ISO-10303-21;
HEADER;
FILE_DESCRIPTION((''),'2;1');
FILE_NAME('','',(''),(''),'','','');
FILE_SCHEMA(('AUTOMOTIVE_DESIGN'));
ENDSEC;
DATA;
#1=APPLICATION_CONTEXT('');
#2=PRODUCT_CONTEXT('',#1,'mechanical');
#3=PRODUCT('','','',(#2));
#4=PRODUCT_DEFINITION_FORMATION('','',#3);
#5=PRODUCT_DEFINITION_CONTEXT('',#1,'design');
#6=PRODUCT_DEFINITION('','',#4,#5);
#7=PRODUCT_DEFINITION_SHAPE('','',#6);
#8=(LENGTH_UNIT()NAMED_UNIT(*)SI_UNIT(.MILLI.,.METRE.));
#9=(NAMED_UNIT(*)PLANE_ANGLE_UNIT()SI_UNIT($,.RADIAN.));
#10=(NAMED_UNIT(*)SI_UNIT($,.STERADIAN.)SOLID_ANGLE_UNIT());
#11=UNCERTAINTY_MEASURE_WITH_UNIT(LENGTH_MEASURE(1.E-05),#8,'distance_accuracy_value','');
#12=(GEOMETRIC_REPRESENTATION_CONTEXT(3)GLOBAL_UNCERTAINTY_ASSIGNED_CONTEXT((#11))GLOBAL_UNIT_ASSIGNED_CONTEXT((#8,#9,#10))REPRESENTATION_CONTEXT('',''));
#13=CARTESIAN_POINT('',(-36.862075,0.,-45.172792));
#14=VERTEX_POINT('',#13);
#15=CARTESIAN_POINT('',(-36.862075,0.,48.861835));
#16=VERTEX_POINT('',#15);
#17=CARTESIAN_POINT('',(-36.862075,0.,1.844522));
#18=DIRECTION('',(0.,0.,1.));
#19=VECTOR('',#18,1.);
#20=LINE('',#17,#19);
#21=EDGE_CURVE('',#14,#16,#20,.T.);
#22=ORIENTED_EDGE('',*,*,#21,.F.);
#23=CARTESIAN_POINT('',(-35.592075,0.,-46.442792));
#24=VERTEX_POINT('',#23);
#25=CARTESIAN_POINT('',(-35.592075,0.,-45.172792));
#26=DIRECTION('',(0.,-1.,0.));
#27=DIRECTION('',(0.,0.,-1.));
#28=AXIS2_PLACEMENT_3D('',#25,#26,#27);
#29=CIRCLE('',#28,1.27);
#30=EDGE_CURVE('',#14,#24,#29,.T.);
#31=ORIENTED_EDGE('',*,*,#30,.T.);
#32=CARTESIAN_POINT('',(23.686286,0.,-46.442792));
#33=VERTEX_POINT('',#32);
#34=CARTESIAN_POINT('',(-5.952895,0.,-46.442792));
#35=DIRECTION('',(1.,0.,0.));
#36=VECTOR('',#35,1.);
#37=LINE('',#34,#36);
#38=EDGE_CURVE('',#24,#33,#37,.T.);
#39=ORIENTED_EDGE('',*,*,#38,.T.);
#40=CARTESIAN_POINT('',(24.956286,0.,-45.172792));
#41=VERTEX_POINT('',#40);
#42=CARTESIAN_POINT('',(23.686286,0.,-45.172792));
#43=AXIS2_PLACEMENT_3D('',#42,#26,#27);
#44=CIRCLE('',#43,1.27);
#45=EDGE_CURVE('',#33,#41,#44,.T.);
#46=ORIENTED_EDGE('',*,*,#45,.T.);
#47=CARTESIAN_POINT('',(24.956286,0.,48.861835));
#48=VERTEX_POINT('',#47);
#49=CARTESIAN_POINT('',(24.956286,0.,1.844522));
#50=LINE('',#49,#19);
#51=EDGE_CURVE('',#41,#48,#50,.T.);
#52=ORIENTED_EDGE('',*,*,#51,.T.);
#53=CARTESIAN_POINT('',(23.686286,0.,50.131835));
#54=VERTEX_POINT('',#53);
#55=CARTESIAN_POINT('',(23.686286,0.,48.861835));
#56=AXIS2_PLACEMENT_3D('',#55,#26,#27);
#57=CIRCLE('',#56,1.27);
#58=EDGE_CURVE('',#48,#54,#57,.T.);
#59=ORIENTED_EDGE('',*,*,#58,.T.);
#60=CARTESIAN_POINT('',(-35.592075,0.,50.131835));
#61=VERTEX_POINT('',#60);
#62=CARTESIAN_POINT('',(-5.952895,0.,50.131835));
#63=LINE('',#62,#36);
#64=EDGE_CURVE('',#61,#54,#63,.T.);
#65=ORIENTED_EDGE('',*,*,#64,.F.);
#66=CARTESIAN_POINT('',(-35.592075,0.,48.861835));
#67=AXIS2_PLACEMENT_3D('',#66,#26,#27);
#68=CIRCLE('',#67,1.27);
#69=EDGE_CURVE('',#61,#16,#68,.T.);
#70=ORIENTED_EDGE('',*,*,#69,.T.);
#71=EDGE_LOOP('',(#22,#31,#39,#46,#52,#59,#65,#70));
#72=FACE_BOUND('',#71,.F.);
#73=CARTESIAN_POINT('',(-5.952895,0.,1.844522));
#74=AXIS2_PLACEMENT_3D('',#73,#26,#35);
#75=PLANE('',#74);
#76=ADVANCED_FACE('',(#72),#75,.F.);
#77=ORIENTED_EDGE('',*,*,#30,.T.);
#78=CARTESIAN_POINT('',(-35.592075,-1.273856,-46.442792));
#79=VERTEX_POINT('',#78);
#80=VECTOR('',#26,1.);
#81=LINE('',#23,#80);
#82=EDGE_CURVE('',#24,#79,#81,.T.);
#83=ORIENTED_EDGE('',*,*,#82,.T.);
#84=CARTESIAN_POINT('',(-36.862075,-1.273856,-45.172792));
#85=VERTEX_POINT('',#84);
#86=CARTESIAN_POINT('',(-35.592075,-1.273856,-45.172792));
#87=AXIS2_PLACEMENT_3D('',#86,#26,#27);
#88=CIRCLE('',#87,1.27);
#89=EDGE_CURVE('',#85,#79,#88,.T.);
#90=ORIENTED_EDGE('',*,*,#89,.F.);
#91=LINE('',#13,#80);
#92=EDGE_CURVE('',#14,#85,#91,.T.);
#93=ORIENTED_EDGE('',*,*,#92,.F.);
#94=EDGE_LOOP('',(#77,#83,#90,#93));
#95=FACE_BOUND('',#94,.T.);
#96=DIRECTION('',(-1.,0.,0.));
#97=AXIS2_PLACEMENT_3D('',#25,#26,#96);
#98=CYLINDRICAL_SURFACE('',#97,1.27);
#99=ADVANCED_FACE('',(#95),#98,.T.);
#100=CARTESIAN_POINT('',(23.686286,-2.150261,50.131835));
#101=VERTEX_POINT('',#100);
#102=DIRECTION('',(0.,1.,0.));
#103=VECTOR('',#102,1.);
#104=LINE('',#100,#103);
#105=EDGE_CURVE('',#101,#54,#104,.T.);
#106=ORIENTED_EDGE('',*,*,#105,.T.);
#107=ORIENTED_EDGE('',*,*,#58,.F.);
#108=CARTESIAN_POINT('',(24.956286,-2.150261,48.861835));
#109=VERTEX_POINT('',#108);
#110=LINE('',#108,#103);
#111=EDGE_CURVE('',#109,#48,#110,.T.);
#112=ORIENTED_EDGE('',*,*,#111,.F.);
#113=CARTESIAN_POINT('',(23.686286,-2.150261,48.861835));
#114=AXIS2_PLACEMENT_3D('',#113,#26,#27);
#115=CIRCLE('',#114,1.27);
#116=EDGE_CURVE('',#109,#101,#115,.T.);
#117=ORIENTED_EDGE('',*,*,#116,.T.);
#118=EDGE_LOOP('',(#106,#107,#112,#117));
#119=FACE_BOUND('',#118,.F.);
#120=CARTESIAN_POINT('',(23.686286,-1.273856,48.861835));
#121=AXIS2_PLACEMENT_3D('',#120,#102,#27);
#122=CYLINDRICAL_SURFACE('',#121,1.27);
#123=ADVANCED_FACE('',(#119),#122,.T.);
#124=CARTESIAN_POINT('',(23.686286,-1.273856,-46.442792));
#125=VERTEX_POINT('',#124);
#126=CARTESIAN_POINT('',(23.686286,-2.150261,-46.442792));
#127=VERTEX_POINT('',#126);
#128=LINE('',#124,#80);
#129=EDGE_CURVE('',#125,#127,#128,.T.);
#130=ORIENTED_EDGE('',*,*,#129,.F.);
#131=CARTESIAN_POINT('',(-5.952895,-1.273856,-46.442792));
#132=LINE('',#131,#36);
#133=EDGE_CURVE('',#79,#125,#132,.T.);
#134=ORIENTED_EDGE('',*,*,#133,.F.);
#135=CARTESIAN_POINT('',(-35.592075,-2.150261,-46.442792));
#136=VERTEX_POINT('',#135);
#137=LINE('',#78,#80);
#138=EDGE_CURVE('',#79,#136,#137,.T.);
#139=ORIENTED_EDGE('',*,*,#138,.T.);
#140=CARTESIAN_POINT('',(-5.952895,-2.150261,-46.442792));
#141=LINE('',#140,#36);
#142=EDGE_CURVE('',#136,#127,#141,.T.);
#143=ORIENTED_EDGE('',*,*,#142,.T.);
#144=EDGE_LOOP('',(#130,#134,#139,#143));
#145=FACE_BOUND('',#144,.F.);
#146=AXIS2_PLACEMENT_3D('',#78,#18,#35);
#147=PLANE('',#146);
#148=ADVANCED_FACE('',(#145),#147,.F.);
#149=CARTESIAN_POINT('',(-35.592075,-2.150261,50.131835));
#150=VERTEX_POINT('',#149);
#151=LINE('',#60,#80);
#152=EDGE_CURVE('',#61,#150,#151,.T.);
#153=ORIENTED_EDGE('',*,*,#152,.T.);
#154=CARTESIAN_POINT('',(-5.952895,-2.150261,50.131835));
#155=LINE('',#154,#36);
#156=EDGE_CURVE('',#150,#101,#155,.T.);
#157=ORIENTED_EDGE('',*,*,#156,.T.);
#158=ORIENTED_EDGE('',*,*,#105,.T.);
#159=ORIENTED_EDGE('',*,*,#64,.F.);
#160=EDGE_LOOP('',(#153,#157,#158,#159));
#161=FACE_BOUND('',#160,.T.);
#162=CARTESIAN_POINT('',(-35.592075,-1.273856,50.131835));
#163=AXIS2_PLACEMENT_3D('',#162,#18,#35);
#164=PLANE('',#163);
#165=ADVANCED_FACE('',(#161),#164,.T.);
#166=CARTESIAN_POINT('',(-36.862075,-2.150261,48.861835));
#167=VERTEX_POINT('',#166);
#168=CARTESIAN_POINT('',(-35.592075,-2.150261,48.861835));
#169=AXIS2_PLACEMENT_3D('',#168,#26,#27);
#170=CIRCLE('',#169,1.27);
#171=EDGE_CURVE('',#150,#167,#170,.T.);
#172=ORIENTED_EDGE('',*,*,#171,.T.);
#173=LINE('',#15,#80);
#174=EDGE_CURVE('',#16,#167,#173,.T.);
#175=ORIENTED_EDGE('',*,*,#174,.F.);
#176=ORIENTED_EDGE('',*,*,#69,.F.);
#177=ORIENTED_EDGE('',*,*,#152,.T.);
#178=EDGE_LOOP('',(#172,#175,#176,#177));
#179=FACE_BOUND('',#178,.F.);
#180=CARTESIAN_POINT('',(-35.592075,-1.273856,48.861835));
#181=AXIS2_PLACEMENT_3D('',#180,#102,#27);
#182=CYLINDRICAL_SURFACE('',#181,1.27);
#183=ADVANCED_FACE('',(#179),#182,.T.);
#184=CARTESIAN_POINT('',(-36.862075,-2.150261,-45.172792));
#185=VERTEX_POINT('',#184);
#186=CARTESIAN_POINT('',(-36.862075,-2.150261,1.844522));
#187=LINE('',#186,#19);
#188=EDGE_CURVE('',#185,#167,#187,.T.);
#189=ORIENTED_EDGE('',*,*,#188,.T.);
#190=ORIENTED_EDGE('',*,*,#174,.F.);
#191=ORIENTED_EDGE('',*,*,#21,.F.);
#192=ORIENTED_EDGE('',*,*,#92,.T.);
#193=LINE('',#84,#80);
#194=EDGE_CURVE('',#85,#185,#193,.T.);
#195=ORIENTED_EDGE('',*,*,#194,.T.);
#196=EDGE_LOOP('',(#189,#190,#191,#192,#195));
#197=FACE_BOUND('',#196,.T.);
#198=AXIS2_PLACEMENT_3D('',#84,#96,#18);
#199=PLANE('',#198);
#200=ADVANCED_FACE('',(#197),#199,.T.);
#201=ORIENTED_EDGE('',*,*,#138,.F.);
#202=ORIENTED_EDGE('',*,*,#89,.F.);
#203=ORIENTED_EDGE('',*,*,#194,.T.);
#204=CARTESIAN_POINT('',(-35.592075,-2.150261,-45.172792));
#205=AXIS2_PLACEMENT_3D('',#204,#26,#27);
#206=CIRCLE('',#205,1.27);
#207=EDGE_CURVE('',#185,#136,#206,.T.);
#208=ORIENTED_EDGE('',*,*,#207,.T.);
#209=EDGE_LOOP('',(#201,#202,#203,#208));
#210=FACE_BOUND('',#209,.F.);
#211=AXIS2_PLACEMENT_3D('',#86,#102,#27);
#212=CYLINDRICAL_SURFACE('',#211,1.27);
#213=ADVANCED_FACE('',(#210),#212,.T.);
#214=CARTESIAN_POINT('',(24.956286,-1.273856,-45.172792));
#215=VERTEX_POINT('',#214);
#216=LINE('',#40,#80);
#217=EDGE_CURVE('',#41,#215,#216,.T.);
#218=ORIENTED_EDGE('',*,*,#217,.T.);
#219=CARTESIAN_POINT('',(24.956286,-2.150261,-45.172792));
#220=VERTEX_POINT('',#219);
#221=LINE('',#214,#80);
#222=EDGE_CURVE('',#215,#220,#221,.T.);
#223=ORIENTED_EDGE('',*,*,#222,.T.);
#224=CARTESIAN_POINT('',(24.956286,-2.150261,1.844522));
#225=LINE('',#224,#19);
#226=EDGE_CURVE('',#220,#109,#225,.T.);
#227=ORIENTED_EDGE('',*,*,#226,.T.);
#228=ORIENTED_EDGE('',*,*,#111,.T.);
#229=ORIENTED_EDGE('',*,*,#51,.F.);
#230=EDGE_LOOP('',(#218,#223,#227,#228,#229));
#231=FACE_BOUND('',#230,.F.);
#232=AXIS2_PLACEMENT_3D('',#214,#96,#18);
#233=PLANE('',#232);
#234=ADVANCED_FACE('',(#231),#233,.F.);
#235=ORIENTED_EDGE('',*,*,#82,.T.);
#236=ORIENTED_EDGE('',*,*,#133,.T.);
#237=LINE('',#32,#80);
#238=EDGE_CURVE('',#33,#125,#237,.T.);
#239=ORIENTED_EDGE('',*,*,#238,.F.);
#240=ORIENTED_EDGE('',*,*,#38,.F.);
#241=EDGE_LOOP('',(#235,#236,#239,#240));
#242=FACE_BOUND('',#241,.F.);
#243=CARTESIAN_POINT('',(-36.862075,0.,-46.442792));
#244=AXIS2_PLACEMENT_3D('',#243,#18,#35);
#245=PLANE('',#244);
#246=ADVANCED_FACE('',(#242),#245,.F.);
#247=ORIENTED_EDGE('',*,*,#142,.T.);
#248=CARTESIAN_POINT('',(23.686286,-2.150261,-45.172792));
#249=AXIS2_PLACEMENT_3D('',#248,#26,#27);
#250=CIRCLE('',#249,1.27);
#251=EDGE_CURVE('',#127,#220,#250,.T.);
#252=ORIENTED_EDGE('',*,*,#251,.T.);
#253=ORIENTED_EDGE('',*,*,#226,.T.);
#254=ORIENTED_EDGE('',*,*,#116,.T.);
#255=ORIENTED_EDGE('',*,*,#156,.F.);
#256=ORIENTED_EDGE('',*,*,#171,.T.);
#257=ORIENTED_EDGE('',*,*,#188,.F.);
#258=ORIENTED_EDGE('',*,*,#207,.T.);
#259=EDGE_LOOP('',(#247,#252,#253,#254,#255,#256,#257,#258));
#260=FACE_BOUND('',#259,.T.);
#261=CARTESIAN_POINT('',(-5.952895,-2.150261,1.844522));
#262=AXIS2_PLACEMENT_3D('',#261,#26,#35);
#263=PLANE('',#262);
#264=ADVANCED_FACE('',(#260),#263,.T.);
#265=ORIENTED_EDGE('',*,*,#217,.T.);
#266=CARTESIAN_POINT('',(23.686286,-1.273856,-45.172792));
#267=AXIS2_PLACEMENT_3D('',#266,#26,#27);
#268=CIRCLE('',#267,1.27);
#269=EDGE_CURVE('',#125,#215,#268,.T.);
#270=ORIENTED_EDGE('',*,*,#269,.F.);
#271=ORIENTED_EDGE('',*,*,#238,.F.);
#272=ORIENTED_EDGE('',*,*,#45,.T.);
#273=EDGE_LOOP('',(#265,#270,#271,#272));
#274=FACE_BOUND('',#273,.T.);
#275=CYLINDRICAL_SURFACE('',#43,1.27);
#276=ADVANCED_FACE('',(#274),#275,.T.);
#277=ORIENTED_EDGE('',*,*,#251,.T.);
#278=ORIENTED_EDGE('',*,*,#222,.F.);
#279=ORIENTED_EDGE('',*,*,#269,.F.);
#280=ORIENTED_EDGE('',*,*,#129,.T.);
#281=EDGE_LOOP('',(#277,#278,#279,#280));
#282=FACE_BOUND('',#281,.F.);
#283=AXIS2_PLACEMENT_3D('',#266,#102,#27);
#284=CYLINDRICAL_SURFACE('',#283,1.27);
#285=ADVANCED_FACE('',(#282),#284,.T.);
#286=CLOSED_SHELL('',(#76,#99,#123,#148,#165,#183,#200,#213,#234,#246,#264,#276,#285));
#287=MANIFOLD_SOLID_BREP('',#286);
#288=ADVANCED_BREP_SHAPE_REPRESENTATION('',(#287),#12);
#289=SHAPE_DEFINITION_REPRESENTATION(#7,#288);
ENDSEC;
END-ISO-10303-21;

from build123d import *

# Parameters (mm, degrees)
F0_W     = 61.8183612823
F0_H     = 96.574626863
F1_DEPTH = 1.2738564983
F2_R     = 1.27
F3_R     = 1.27
F4_R     = 1.27
F5_R     = 1.27
F6_DEPTH = 0.876404345


with BuildPart() as f1:
    # F0 (on Front) → F1 (new body)
    with BuildSketch(Plane.XZ):
        with Locations((-5.9528946877, 1.8445216119)):
            Rectangle(F0_W, F0_H)
    extrude(amount=F1_DEPTH)

    # F2
    f2_edges = [f1.edges().sort_by_distance(p)[0] for p in [
        (-36.862075, -0.636928, -46.442792),
    ]]
    fillet(f2_edges, radius=F2_R)

    # F3
    f3_edges = [f1.edges().sort_by_distance(p)[0] for p in [
        (24.956286, -0.636928, -46.442792),
    ]]
    fillet(f3_edges, radius=F3_R)

    # F4
    f4_edges = [f1.edges().sort_by_distance(p)[0] for p in [
        (24.956286, -0.636928, 50.131835),
    ]]
    fillet(f4_edges, radius=F4_R)

    # F5
    f5_edges = [f1.edges().sort_by_distance(p)[0] for p in [
        (-36.862075, -0.636928, 50.131835),
    ]]
    fillet(f5_edges, radius=F5_R)

    # F6 (add): a face of the model
    f6_faces = [f1.faces().sort_by_distance(p)[0] for p in [
        (-5.9528946877, -1.2738564983, 1.8445216119),
    ]]
    extrude(f6_faces, amount=F6_DEPTH)


solid = f1.part
